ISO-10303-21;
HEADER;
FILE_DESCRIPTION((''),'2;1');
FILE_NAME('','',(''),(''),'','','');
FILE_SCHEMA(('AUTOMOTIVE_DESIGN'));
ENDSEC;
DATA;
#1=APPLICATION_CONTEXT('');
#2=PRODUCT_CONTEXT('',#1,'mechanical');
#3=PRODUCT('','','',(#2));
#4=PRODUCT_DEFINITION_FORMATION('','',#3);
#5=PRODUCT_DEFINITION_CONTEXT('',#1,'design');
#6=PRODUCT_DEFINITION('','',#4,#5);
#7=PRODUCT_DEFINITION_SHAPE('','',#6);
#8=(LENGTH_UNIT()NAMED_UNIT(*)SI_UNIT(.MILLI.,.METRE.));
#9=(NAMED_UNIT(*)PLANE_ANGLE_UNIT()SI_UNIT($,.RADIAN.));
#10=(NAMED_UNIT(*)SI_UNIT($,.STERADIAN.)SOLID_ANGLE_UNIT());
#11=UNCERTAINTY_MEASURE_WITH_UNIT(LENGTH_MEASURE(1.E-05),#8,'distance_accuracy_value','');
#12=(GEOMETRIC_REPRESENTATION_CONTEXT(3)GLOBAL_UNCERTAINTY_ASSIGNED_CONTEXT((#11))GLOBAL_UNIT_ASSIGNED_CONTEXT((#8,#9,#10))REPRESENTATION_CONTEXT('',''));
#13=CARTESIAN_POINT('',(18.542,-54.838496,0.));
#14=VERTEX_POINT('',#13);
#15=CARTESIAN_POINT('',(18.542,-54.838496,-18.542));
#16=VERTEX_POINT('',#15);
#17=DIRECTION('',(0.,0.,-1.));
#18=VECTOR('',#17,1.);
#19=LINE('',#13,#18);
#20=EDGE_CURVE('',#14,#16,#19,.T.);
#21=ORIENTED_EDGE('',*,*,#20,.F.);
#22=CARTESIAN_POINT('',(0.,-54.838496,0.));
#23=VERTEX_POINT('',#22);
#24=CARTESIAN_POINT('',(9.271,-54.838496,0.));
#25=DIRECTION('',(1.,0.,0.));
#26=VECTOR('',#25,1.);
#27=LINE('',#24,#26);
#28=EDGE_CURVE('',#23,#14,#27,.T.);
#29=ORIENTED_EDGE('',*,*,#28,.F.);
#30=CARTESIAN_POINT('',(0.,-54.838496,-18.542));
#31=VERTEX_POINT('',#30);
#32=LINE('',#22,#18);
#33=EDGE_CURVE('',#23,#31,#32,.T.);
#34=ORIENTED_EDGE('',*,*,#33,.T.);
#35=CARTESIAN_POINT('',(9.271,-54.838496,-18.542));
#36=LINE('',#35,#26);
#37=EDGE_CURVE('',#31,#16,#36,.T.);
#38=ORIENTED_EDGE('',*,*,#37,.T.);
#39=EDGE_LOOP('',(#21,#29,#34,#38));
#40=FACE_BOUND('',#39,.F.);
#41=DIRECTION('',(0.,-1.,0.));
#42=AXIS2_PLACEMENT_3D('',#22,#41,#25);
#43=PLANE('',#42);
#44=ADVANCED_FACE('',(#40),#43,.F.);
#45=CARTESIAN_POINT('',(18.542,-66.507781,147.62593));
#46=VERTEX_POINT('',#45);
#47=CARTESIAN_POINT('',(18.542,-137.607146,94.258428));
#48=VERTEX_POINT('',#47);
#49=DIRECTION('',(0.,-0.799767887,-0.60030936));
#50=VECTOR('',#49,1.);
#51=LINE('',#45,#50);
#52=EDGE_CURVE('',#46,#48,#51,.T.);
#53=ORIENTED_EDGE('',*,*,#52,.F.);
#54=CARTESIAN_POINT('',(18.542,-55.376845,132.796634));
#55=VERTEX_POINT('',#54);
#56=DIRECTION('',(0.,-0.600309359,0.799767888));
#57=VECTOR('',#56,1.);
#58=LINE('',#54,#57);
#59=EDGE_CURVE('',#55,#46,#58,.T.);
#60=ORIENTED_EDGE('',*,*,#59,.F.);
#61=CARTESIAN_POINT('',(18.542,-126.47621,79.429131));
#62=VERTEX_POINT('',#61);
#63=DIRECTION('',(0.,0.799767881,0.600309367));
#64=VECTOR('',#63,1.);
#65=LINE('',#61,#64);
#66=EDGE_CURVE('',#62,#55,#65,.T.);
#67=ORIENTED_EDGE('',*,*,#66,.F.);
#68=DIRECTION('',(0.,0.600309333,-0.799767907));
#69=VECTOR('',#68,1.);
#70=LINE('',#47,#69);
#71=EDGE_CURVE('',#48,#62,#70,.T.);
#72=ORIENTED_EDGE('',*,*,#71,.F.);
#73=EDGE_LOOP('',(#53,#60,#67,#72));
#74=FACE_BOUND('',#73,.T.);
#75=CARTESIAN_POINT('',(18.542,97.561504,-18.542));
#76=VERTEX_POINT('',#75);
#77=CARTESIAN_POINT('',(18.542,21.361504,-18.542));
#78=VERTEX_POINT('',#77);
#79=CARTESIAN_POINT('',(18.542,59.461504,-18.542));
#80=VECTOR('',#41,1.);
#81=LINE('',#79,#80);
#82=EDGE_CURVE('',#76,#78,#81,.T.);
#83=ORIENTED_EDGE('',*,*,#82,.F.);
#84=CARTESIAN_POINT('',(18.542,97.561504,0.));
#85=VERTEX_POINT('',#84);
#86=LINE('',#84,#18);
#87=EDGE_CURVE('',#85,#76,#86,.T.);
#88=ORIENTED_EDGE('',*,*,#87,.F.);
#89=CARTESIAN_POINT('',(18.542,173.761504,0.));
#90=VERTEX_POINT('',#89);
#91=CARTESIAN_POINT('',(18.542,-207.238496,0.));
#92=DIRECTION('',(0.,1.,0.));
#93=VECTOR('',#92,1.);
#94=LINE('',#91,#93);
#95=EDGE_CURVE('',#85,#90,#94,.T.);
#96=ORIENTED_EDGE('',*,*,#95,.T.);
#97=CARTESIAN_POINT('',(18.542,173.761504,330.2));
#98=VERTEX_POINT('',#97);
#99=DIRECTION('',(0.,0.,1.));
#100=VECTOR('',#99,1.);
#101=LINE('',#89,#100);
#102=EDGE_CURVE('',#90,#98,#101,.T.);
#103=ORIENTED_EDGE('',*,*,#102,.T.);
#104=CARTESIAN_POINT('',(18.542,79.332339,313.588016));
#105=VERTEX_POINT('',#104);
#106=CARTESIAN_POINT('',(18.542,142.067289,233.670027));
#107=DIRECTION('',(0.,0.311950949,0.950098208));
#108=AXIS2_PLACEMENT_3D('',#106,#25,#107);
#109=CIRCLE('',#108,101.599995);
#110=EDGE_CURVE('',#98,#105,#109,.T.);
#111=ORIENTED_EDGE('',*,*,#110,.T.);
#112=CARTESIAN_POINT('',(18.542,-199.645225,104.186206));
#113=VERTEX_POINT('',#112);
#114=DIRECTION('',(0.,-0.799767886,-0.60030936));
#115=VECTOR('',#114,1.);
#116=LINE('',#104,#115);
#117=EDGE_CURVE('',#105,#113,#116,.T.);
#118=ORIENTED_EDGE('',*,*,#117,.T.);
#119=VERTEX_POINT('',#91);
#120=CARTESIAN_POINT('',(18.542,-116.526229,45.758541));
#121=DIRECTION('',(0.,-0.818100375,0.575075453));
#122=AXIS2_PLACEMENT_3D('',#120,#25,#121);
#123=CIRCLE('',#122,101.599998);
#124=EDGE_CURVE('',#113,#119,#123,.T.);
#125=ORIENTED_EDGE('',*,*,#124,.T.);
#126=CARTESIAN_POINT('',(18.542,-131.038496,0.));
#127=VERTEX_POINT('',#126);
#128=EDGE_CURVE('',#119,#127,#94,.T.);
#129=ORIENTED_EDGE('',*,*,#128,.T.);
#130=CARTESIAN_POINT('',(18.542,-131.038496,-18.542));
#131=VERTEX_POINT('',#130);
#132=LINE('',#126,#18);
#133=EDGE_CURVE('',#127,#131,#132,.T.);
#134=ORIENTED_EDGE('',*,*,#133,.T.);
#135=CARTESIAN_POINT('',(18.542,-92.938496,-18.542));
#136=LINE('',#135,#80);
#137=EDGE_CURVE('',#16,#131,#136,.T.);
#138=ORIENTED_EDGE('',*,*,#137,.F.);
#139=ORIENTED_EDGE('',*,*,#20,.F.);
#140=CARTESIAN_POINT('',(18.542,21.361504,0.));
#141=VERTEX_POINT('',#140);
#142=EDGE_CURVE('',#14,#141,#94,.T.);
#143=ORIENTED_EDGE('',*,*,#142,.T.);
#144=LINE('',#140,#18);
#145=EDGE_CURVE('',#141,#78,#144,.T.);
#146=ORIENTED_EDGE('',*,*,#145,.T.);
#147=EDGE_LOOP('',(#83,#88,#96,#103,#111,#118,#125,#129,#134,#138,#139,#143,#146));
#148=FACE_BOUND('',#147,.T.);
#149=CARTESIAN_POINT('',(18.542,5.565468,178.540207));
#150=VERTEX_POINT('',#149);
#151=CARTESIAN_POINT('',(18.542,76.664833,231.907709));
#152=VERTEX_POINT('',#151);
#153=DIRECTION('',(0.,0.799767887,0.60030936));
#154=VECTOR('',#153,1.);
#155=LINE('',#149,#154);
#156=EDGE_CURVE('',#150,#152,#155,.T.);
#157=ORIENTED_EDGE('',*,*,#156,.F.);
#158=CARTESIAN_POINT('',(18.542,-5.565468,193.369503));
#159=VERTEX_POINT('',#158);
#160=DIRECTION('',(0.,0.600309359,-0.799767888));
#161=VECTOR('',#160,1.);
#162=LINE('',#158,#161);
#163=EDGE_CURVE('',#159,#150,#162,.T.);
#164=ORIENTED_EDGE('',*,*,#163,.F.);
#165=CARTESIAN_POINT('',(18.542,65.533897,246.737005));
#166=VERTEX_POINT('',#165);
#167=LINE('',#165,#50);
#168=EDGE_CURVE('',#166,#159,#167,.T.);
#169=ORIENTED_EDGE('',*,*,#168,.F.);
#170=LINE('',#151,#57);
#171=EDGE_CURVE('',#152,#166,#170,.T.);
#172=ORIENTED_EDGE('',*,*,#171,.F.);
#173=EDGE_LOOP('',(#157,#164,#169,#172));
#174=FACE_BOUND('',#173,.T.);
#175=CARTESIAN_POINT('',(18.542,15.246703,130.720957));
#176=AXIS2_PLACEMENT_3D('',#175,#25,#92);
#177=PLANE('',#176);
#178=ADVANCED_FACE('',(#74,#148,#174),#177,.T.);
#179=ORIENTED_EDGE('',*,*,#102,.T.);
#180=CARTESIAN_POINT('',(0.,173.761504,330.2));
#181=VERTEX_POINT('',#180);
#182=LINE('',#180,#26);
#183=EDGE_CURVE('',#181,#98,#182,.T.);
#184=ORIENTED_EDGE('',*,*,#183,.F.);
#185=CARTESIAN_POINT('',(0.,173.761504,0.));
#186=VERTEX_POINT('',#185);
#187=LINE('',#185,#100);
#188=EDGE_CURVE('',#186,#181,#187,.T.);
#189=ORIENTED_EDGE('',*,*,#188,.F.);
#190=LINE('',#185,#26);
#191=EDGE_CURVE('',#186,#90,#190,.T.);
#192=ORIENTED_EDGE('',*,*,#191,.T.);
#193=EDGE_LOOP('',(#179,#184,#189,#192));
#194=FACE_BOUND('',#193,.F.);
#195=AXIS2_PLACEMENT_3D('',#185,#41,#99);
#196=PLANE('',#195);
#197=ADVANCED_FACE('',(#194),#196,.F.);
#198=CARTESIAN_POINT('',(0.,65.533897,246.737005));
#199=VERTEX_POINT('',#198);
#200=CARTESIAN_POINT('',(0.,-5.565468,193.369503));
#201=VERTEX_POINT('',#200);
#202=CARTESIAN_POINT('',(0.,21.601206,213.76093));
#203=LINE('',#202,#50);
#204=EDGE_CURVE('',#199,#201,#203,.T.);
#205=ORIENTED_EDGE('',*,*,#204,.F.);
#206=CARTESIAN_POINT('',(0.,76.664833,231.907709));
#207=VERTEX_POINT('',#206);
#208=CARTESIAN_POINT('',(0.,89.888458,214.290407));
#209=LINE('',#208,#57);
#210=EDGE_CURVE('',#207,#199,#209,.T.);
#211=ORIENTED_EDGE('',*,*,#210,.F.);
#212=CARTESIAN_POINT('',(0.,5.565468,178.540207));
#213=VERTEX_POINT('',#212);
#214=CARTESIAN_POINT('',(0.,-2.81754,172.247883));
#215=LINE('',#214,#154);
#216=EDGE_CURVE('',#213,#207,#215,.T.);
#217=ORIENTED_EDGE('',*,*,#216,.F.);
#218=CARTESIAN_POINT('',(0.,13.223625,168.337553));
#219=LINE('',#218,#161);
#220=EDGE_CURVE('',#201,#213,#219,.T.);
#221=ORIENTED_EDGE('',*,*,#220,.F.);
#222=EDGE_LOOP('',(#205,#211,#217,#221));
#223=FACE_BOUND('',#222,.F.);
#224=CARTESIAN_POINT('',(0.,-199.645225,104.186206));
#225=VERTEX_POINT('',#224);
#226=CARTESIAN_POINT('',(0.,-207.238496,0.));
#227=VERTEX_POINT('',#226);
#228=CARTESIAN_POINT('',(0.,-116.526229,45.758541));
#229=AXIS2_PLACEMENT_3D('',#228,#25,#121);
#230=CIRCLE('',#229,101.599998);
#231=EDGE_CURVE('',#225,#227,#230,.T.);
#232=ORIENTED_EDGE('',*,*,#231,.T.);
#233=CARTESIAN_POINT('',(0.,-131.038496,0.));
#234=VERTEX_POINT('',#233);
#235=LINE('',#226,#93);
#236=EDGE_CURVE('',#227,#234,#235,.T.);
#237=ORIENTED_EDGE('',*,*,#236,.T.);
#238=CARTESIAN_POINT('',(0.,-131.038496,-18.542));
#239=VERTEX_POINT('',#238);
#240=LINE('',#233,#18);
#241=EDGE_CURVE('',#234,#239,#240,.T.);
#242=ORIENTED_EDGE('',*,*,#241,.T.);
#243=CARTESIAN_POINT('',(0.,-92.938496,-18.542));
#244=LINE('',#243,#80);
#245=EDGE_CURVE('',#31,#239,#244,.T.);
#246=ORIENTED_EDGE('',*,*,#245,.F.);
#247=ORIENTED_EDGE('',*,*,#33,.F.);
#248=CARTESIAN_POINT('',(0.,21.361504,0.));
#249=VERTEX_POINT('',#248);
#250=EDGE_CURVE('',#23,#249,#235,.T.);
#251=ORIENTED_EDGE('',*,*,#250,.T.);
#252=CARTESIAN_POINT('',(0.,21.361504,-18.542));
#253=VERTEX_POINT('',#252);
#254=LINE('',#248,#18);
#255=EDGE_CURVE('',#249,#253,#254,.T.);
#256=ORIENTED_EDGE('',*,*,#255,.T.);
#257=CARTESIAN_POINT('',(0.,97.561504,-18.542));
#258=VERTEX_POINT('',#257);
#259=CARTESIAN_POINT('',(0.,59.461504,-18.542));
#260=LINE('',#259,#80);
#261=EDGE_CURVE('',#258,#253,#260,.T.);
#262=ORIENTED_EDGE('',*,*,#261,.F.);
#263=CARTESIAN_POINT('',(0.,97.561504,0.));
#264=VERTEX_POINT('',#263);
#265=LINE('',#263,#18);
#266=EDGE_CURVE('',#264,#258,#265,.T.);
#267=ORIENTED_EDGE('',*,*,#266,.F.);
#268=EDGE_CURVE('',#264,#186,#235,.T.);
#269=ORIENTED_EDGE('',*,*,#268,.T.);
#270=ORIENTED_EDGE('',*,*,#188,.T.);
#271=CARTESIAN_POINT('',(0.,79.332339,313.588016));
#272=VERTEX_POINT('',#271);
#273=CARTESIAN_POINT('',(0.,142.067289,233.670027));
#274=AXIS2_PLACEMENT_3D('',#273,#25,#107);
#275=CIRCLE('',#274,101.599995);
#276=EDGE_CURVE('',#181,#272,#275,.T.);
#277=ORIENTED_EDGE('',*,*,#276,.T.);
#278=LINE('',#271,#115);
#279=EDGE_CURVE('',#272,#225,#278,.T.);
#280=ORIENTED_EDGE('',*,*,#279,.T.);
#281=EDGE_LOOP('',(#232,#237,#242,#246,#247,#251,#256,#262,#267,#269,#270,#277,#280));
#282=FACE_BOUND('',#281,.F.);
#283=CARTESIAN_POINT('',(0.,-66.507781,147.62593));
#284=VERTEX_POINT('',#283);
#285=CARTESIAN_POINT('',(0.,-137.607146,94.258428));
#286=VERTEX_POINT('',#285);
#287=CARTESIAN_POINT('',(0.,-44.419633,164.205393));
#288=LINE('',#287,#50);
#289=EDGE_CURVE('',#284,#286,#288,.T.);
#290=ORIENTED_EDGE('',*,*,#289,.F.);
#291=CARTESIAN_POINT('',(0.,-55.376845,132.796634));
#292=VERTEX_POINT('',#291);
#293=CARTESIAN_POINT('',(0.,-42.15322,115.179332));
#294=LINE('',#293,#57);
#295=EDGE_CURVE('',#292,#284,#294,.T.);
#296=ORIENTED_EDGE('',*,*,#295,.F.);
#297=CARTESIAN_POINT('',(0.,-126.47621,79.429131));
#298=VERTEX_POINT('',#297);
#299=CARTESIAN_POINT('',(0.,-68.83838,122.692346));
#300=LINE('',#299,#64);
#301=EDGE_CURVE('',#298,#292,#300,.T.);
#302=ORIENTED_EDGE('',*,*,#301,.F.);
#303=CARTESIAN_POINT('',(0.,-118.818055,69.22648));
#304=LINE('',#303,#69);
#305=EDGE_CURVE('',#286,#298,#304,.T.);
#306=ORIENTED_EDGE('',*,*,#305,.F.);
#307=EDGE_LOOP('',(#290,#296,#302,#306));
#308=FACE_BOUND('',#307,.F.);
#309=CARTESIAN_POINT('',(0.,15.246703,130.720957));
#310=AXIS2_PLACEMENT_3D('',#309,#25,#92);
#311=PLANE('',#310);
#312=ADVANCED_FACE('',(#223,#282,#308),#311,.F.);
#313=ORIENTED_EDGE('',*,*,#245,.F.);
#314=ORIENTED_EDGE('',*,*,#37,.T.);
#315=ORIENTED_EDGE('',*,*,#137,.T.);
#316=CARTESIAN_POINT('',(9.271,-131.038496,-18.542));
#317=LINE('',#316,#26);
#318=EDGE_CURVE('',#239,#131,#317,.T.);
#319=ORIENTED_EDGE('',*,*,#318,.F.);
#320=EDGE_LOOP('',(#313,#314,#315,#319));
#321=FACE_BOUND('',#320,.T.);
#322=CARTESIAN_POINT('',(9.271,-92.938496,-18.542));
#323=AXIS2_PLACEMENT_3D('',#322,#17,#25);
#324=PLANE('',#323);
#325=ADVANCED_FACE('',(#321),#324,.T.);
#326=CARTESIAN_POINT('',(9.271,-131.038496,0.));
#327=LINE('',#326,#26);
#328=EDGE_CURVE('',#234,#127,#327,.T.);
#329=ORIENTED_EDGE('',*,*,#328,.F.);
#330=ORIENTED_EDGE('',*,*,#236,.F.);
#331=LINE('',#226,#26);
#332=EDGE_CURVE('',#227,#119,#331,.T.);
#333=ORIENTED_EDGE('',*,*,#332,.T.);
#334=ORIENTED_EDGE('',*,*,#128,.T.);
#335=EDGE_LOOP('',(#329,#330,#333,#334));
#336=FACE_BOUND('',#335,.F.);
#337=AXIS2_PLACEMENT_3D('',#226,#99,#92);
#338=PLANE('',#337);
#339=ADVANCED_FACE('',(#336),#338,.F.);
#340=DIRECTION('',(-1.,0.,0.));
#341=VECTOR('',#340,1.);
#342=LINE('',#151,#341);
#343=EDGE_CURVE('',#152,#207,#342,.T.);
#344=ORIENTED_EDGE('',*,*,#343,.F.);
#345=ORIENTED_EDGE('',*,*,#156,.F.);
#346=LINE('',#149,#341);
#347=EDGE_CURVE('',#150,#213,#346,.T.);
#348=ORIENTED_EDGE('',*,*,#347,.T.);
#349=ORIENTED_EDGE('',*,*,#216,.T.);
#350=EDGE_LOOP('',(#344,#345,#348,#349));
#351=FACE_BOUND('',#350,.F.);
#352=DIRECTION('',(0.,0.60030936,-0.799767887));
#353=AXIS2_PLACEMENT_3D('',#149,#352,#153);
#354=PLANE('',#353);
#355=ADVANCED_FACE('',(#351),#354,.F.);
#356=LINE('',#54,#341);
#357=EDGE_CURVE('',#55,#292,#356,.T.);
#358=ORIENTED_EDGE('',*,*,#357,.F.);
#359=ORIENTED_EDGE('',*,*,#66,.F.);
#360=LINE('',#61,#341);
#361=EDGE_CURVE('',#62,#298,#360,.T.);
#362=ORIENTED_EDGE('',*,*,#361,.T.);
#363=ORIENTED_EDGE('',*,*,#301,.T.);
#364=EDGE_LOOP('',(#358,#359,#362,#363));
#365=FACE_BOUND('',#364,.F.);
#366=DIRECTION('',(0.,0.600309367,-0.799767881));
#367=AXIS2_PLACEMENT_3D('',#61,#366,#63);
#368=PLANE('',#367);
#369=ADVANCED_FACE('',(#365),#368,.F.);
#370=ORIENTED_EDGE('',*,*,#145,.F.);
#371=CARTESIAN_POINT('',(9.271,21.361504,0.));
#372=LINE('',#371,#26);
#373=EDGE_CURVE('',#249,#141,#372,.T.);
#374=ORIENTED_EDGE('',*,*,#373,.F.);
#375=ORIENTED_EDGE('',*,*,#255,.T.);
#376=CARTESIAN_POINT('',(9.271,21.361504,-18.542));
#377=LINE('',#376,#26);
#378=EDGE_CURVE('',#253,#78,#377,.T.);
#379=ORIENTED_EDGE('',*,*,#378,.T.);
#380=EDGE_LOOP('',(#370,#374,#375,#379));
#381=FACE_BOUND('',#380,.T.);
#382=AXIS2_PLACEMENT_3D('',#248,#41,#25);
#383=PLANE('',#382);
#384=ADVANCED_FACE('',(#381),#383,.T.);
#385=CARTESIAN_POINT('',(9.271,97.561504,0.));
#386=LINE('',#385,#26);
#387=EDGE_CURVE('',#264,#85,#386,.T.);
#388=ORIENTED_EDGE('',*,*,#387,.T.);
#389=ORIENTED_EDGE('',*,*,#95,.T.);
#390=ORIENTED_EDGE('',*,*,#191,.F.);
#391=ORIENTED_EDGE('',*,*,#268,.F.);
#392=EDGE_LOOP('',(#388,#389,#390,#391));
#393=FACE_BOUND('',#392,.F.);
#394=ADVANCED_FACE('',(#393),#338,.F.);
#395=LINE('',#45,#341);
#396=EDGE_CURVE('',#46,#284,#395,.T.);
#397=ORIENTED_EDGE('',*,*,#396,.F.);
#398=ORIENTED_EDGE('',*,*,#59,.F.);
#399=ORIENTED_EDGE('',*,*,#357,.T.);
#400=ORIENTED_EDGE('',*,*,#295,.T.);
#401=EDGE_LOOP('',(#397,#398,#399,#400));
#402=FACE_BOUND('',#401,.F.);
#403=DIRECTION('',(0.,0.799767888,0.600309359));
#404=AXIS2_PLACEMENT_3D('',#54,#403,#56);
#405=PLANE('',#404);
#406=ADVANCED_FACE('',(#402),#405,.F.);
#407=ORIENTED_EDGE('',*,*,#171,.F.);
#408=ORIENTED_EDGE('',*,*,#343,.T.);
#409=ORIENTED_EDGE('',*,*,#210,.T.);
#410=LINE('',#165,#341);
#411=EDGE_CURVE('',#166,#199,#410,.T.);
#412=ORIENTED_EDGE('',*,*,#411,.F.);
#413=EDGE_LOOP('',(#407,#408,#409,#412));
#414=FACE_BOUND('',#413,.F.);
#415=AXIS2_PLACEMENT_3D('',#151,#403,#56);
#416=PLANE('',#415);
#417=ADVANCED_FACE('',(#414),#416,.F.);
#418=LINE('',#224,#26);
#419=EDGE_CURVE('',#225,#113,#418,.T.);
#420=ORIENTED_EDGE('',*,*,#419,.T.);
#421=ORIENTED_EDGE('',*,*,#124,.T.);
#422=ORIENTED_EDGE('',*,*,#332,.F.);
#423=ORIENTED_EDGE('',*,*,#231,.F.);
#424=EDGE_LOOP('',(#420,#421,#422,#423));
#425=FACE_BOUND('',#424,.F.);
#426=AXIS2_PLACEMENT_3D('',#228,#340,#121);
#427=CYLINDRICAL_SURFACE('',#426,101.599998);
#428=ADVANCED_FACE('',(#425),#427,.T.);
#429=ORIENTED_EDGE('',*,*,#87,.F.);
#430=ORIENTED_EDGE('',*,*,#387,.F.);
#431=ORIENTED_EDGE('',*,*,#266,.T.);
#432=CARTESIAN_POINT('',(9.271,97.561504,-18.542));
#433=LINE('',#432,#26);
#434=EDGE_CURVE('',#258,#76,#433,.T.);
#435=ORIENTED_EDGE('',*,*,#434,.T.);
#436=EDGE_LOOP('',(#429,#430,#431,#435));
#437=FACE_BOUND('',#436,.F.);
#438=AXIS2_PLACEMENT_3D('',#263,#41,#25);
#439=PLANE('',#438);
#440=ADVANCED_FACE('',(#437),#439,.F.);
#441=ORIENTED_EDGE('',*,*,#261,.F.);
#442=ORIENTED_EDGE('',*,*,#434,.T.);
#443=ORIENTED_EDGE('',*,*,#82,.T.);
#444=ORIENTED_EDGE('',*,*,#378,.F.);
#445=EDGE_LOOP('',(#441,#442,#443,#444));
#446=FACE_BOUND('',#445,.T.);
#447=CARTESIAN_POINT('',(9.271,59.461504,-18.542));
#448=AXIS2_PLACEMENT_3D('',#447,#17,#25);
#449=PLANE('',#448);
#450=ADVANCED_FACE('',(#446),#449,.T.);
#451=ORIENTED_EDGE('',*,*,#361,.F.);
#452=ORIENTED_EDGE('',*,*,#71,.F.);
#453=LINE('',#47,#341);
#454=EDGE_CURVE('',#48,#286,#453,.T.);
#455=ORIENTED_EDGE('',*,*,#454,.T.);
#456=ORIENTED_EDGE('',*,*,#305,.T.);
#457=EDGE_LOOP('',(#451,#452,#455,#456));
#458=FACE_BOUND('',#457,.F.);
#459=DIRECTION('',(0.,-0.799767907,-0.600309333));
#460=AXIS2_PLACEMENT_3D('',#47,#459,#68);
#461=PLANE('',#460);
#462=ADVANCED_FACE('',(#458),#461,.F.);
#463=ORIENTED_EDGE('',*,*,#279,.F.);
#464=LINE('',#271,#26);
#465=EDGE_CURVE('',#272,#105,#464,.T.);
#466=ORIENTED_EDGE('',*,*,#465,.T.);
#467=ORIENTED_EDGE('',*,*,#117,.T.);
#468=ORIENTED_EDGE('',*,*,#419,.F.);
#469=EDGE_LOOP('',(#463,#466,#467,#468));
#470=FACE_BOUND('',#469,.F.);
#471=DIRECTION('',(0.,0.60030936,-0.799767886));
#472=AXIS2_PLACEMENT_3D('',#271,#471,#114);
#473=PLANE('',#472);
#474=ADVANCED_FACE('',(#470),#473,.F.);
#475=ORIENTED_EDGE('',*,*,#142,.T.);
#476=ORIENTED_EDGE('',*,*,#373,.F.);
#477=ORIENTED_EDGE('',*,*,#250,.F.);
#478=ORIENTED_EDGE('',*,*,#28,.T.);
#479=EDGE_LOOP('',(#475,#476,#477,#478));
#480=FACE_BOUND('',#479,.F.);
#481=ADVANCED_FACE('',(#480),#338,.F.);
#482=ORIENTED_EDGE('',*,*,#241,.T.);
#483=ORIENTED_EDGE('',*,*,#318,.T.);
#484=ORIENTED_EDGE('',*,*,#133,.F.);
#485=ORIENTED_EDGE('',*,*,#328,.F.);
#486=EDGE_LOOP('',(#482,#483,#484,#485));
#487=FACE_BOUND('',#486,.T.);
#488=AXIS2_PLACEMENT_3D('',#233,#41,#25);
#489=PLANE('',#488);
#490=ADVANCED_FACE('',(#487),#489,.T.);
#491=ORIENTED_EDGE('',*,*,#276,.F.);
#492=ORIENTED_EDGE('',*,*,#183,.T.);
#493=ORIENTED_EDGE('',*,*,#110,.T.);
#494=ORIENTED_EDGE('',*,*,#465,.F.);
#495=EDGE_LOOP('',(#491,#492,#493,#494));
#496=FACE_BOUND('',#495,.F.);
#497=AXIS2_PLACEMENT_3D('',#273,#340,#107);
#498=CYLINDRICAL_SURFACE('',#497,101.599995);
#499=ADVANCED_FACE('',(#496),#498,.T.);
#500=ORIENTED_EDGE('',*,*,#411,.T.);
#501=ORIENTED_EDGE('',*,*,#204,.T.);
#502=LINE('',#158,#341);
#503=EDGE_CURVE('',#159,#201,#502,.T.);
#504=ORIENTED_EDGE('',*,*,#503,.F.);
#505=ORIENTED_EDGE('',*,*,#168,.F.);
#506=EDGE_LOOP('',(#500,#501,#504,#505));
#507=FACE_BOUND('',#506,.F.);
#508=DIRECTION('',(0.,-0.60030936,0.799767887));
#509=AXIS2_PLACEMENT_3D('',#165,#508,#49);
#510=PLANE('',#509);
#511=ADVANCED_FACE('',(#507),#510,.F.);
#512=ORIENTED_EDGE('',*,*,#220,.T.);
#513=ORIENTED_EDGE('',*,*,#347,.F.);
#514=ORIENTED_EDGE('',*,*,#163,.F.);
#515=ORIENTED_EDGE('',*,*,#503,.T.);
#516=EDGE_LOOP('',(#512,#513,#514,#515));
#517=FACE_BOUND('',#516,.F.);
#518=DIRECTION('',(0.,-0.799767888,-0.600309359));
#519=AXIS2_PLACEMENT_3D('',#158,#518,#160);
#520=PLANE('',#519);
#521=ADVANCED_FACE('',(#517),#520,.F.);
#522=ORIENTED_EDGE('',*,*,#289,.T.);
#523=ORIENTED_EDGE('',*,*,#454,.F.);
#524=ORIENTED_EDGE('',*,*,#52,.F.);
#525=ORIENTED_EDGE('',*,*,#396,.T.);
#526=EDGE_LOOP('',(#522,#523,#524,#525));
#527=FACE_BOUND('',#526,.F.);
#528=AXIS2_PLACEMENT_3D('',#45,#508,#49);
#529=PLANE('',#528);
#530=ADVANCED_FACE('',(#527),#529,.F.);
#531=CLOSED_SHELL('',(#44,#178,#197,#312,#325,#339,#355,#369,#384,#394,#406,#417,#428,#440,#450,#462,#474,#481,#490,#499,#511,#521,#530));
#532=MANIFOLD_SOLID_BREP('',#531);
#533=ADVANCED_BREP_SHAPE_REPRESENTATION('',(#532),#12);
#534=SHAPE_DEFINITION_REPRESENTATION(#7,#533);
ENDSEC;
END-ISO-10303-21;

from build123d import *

# Parameters (mm, degrees)
F1_DEPTH = 18.542
F2_W     = 18.542
F2_H     = 76.2
F3_DEPTH = 18.542
F5_DEPTH = 25.4


with BuildPart() as f1:
    # F0 (on Right) → F1 (new body)
    with BuildSketch(Plane.YZ):
        with BuildLine():
            ThreePointArc((-199.645225, 104.186206), (-217.85746, 53.143737), (-207.238496, 0))
            Line((-207.238496, 0), (173.761504, 0))
            Line((173.761504, 0), (173.761504, 330.2))
            ThreePointArc((173.761504, 330.2), (124.464127, 333.733445), (79.332339, 313.588016))
            Line((79.332339, 313.588016), (-199.645225, 104.186206))
        make_face()
    extrude(amount=F1_DEPTH)

    # F2 (on face) → F3 (join)
    with BuildSketch(Plane(origin=(0, 0, 0), x_dir=(1, 0, 0), z_dir=(0, 0, -1))):
        with Locations((9.271, -59.461504)):
            Rectangle(F2_W, F2_H)
        with Locations((9.271, 92.938496)):
            Rectangle(F2_W, F2_H)
    extrude(amount=F3_DEPTH)

    # F4 (on face) → F5 (cut)
    with BuildSketch(Plane.YZ.offset(18.542)):
        Polygon((-5.565468, 193.369503), (5.565468, 178.540207), (76.664833, 231.907709), (65.533897, 246.737005), align=None)
        Polygon((-66.507781, 147.62593), (-137.607146, 94.258428), (-126.47621, 79.429131), (-55.376845, 132.796634), align=None)
    extrude(amount=-F5_DEPTH, mode=Mode.SUBTRACT)


solid = f1.part
